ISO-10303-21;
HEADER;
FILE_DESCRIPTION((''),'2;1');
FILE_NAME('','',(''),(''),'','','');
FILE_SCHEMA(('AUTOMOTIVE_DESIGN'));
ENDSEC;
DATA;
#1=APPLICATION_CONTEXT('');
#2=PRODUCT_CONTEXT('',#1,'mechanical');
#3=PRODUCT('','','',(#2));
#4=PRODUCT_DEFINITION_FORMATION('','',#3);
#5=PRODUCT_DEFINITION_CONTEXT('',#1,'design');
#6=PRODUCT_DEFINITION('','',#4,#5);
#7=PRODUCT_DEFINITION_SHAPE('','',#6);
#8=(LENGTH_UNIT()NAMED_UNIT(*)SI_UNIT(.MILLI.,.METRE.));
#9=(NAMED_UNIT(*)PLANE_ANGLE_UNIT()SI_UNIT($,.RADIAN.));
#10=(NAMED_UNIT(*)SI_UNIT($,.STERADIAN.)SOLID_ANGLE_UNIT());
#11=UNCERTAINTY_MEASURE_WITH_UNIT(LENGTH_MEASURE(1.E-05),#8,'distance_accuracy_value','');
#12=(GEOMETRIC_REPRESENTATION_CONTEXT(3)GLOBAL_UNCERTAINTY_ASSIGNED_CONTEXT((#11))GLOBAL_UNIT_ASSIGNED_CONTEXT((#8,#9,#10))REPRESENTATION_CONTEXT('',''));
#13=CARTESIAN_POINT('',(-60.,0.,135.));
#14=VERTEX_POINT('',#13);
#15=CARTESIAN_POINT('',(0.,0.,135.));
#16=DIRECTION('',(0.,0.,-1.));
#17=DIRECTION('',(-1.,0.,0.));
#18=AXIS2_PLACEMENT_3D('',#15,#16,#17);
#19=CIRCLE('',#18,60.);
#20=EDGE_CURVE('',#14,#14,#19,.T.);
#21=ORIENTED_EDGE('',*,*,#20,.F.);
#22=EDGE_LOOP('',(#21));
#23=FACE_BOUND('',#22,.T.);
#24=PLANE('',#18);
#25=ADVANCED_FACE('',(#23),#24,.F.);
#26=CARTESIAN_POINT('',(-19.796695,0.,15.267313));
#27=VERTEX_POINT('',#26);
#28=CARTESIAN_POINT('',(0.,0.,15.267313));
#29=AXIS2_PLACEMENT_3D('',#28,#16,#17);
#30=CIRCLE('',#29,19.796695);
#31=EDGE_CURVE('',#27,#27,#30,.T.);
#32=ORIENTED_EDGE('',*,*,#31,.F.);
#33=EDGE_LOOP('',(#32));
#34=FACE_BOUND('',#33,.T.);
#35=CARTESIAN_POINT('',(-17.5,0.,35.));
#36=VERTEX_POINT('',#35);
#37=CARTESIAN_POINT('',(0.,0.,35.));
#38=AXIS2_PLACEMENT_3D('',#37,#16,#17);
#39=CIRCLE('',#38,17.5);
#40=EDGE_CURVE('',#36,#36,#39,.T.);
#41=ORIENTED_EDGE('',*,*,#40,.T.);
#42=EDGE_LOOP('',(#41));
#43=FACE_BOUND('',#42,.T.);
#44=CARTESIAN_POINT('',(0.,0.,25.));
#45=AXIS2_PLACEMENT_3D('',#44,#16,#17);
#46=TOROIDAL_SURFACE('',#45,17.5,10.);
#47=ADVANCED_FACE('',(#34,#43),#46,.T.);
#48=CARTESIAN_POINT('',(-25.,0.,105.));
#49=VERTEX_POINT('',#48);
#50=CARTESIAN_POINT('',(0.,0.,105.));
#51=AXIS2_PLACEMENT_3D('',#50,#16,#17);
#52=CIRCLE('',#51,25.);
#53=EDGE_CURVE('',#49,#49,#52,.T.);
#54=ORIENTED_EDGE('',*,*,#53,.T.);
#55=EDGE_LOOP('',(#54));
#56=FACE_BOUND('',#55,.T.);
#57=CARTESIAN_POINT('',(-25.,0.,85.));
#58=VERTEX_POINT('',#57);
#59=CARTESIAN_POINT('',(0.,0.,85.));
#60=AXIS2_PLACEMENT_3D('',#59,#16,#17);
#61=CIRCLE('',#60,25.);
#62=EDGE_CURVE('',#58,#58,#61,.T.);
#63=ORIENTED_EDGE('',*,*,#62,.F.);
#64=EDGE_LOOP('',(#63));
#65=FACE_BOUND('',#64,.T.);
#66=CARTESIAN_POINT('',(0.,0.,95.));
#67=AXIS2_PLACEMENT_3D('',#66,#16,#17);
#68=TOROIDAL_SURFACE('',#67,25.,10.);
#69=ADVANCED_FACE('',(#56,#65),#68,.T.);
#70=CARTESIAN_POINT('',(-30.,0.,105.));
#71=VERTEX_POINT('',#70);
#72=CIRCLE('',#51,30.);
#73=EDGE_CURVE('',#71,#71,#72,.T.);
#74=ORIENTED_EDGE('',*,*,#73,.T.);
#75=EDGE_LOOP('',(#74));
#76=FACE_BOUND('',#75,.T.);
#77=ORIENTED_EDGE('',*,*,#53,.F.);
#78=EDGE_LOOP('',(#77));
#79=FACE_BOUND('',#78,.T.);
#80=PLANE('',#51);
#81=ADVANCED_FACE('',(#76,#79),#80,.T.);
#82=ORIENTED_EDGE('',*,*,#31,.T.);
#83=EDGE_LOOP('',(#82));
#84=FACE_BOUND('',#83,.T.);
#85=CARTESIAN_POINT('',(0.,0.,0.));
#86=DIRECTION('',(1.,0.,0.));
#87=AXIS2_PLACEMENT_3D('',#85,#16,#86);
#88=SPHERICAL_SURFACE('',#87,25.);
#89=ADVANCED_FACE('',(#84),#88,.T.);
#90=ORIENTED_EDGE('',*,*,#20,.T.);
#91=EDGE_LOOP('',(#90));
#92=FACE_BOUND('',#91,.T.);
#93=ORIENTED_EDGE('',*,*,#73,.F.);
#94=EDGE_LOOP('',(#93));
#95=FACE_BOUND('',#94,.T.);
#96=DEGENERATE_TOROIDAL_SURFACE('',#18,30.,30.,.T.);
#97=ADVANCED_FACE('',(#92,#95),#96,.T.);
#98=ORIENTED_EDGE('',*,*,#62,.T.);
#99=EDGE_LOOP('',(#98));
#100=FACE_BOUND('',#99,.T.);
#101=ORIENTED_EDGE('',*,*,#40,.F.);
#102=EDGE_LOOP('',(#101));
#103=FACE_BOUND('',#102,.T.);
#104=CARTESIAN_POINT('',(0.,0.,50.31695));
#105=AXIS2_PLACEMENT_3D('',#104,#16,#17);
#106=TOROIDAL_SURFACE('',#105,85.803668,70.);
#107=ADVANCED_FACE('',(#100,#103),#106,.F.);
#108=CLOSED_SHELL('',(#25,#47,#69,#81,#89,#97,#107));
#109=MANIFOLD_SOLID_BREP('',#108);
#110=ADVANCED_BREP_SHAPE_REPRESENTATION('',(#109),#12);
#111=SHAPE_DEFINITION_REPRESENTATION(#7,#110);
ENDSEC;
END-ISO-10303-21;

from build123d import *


with BuildPart() as part:
    # Sketch1 → Revolve1 (revolve)
    with BuildSketch(Plane(origin=(0, 0, 0), x_dir=(1, 0, 0), z_dir=(0, 1, 0)), mode=Mode.PRIVATE) as revolve1_sk:
        with BuildLine():
            Line((25, -105), (0, -105))
            Line((0, -105), (0, -135))
            Line((0, -135), (60, -135))
            ThreePointArc((60, -135), (51.213203436, -113.786796564), (30, -105))
            Line((30, -105), (25, -105))
        make_face()
        with BuildLine():
            Line((25, -85), (0, -85))
            Line((0, -85), (0, -105))
            Line((0, -105), (25, -105))
            ThreePointArc((25, -105), (35, -95), (25, -85))
        make_face()
        with BuildLine():
            Line((17.5, -35), (0, -35))
            Line((0, -35), (0, -85))
            Line((0, -85), (25, -85))
            ThreePointArc((25, -85), (16.578123197, -60.70078152), (17.5, -35))
        make_face()
        with BuildLine():
            ThreePointArc((19.796695306, -15.267313286), (11.02989501, -22.435271696), (0, -25))
            Line((0, -25), (0, -35))
            Line((0, -35), (17.5, -35))
            ThreePointArc((17.5, -35), (27.432946872, -26.156099663), (19.796695306, -15.267313286))
        make_face()
        with BuildLine():
            ThreePointArc((25, 0), (17.67766953, 17.67766953), (0, 25))
            Line((0, 25), (0, -15))
            Line((0, -15), (17.5, -15))
            ThreePointArc((17.5, -15), (18.656099663, -15.067053128), (19.796695306, -15.267313286))
            ThreePointArc((19.796695306, -15.267313286), (23.663446311, -8.064819197), (25, 0))
        make_face()
        with BuildLine():
            Line((17.5, -15), (0, -15))
            Line((0, -15), (0, -25))
            ThreePointArc((0, -25), (11.02989501, -22.435271696), (19.796695306, -15.267313286))
            ThreePointArc((19.796695306, -15.267313286), (18.656099663, -15.067053128), (17.5, -15))
        make_face()
    revolve(revolve1_sk.sketch.rotate(Axis((0, 0, -25), (0, 0, 1)), 180), axis=Axis((0, 0, -25), (0, 0, 1)))


solid = part.part
